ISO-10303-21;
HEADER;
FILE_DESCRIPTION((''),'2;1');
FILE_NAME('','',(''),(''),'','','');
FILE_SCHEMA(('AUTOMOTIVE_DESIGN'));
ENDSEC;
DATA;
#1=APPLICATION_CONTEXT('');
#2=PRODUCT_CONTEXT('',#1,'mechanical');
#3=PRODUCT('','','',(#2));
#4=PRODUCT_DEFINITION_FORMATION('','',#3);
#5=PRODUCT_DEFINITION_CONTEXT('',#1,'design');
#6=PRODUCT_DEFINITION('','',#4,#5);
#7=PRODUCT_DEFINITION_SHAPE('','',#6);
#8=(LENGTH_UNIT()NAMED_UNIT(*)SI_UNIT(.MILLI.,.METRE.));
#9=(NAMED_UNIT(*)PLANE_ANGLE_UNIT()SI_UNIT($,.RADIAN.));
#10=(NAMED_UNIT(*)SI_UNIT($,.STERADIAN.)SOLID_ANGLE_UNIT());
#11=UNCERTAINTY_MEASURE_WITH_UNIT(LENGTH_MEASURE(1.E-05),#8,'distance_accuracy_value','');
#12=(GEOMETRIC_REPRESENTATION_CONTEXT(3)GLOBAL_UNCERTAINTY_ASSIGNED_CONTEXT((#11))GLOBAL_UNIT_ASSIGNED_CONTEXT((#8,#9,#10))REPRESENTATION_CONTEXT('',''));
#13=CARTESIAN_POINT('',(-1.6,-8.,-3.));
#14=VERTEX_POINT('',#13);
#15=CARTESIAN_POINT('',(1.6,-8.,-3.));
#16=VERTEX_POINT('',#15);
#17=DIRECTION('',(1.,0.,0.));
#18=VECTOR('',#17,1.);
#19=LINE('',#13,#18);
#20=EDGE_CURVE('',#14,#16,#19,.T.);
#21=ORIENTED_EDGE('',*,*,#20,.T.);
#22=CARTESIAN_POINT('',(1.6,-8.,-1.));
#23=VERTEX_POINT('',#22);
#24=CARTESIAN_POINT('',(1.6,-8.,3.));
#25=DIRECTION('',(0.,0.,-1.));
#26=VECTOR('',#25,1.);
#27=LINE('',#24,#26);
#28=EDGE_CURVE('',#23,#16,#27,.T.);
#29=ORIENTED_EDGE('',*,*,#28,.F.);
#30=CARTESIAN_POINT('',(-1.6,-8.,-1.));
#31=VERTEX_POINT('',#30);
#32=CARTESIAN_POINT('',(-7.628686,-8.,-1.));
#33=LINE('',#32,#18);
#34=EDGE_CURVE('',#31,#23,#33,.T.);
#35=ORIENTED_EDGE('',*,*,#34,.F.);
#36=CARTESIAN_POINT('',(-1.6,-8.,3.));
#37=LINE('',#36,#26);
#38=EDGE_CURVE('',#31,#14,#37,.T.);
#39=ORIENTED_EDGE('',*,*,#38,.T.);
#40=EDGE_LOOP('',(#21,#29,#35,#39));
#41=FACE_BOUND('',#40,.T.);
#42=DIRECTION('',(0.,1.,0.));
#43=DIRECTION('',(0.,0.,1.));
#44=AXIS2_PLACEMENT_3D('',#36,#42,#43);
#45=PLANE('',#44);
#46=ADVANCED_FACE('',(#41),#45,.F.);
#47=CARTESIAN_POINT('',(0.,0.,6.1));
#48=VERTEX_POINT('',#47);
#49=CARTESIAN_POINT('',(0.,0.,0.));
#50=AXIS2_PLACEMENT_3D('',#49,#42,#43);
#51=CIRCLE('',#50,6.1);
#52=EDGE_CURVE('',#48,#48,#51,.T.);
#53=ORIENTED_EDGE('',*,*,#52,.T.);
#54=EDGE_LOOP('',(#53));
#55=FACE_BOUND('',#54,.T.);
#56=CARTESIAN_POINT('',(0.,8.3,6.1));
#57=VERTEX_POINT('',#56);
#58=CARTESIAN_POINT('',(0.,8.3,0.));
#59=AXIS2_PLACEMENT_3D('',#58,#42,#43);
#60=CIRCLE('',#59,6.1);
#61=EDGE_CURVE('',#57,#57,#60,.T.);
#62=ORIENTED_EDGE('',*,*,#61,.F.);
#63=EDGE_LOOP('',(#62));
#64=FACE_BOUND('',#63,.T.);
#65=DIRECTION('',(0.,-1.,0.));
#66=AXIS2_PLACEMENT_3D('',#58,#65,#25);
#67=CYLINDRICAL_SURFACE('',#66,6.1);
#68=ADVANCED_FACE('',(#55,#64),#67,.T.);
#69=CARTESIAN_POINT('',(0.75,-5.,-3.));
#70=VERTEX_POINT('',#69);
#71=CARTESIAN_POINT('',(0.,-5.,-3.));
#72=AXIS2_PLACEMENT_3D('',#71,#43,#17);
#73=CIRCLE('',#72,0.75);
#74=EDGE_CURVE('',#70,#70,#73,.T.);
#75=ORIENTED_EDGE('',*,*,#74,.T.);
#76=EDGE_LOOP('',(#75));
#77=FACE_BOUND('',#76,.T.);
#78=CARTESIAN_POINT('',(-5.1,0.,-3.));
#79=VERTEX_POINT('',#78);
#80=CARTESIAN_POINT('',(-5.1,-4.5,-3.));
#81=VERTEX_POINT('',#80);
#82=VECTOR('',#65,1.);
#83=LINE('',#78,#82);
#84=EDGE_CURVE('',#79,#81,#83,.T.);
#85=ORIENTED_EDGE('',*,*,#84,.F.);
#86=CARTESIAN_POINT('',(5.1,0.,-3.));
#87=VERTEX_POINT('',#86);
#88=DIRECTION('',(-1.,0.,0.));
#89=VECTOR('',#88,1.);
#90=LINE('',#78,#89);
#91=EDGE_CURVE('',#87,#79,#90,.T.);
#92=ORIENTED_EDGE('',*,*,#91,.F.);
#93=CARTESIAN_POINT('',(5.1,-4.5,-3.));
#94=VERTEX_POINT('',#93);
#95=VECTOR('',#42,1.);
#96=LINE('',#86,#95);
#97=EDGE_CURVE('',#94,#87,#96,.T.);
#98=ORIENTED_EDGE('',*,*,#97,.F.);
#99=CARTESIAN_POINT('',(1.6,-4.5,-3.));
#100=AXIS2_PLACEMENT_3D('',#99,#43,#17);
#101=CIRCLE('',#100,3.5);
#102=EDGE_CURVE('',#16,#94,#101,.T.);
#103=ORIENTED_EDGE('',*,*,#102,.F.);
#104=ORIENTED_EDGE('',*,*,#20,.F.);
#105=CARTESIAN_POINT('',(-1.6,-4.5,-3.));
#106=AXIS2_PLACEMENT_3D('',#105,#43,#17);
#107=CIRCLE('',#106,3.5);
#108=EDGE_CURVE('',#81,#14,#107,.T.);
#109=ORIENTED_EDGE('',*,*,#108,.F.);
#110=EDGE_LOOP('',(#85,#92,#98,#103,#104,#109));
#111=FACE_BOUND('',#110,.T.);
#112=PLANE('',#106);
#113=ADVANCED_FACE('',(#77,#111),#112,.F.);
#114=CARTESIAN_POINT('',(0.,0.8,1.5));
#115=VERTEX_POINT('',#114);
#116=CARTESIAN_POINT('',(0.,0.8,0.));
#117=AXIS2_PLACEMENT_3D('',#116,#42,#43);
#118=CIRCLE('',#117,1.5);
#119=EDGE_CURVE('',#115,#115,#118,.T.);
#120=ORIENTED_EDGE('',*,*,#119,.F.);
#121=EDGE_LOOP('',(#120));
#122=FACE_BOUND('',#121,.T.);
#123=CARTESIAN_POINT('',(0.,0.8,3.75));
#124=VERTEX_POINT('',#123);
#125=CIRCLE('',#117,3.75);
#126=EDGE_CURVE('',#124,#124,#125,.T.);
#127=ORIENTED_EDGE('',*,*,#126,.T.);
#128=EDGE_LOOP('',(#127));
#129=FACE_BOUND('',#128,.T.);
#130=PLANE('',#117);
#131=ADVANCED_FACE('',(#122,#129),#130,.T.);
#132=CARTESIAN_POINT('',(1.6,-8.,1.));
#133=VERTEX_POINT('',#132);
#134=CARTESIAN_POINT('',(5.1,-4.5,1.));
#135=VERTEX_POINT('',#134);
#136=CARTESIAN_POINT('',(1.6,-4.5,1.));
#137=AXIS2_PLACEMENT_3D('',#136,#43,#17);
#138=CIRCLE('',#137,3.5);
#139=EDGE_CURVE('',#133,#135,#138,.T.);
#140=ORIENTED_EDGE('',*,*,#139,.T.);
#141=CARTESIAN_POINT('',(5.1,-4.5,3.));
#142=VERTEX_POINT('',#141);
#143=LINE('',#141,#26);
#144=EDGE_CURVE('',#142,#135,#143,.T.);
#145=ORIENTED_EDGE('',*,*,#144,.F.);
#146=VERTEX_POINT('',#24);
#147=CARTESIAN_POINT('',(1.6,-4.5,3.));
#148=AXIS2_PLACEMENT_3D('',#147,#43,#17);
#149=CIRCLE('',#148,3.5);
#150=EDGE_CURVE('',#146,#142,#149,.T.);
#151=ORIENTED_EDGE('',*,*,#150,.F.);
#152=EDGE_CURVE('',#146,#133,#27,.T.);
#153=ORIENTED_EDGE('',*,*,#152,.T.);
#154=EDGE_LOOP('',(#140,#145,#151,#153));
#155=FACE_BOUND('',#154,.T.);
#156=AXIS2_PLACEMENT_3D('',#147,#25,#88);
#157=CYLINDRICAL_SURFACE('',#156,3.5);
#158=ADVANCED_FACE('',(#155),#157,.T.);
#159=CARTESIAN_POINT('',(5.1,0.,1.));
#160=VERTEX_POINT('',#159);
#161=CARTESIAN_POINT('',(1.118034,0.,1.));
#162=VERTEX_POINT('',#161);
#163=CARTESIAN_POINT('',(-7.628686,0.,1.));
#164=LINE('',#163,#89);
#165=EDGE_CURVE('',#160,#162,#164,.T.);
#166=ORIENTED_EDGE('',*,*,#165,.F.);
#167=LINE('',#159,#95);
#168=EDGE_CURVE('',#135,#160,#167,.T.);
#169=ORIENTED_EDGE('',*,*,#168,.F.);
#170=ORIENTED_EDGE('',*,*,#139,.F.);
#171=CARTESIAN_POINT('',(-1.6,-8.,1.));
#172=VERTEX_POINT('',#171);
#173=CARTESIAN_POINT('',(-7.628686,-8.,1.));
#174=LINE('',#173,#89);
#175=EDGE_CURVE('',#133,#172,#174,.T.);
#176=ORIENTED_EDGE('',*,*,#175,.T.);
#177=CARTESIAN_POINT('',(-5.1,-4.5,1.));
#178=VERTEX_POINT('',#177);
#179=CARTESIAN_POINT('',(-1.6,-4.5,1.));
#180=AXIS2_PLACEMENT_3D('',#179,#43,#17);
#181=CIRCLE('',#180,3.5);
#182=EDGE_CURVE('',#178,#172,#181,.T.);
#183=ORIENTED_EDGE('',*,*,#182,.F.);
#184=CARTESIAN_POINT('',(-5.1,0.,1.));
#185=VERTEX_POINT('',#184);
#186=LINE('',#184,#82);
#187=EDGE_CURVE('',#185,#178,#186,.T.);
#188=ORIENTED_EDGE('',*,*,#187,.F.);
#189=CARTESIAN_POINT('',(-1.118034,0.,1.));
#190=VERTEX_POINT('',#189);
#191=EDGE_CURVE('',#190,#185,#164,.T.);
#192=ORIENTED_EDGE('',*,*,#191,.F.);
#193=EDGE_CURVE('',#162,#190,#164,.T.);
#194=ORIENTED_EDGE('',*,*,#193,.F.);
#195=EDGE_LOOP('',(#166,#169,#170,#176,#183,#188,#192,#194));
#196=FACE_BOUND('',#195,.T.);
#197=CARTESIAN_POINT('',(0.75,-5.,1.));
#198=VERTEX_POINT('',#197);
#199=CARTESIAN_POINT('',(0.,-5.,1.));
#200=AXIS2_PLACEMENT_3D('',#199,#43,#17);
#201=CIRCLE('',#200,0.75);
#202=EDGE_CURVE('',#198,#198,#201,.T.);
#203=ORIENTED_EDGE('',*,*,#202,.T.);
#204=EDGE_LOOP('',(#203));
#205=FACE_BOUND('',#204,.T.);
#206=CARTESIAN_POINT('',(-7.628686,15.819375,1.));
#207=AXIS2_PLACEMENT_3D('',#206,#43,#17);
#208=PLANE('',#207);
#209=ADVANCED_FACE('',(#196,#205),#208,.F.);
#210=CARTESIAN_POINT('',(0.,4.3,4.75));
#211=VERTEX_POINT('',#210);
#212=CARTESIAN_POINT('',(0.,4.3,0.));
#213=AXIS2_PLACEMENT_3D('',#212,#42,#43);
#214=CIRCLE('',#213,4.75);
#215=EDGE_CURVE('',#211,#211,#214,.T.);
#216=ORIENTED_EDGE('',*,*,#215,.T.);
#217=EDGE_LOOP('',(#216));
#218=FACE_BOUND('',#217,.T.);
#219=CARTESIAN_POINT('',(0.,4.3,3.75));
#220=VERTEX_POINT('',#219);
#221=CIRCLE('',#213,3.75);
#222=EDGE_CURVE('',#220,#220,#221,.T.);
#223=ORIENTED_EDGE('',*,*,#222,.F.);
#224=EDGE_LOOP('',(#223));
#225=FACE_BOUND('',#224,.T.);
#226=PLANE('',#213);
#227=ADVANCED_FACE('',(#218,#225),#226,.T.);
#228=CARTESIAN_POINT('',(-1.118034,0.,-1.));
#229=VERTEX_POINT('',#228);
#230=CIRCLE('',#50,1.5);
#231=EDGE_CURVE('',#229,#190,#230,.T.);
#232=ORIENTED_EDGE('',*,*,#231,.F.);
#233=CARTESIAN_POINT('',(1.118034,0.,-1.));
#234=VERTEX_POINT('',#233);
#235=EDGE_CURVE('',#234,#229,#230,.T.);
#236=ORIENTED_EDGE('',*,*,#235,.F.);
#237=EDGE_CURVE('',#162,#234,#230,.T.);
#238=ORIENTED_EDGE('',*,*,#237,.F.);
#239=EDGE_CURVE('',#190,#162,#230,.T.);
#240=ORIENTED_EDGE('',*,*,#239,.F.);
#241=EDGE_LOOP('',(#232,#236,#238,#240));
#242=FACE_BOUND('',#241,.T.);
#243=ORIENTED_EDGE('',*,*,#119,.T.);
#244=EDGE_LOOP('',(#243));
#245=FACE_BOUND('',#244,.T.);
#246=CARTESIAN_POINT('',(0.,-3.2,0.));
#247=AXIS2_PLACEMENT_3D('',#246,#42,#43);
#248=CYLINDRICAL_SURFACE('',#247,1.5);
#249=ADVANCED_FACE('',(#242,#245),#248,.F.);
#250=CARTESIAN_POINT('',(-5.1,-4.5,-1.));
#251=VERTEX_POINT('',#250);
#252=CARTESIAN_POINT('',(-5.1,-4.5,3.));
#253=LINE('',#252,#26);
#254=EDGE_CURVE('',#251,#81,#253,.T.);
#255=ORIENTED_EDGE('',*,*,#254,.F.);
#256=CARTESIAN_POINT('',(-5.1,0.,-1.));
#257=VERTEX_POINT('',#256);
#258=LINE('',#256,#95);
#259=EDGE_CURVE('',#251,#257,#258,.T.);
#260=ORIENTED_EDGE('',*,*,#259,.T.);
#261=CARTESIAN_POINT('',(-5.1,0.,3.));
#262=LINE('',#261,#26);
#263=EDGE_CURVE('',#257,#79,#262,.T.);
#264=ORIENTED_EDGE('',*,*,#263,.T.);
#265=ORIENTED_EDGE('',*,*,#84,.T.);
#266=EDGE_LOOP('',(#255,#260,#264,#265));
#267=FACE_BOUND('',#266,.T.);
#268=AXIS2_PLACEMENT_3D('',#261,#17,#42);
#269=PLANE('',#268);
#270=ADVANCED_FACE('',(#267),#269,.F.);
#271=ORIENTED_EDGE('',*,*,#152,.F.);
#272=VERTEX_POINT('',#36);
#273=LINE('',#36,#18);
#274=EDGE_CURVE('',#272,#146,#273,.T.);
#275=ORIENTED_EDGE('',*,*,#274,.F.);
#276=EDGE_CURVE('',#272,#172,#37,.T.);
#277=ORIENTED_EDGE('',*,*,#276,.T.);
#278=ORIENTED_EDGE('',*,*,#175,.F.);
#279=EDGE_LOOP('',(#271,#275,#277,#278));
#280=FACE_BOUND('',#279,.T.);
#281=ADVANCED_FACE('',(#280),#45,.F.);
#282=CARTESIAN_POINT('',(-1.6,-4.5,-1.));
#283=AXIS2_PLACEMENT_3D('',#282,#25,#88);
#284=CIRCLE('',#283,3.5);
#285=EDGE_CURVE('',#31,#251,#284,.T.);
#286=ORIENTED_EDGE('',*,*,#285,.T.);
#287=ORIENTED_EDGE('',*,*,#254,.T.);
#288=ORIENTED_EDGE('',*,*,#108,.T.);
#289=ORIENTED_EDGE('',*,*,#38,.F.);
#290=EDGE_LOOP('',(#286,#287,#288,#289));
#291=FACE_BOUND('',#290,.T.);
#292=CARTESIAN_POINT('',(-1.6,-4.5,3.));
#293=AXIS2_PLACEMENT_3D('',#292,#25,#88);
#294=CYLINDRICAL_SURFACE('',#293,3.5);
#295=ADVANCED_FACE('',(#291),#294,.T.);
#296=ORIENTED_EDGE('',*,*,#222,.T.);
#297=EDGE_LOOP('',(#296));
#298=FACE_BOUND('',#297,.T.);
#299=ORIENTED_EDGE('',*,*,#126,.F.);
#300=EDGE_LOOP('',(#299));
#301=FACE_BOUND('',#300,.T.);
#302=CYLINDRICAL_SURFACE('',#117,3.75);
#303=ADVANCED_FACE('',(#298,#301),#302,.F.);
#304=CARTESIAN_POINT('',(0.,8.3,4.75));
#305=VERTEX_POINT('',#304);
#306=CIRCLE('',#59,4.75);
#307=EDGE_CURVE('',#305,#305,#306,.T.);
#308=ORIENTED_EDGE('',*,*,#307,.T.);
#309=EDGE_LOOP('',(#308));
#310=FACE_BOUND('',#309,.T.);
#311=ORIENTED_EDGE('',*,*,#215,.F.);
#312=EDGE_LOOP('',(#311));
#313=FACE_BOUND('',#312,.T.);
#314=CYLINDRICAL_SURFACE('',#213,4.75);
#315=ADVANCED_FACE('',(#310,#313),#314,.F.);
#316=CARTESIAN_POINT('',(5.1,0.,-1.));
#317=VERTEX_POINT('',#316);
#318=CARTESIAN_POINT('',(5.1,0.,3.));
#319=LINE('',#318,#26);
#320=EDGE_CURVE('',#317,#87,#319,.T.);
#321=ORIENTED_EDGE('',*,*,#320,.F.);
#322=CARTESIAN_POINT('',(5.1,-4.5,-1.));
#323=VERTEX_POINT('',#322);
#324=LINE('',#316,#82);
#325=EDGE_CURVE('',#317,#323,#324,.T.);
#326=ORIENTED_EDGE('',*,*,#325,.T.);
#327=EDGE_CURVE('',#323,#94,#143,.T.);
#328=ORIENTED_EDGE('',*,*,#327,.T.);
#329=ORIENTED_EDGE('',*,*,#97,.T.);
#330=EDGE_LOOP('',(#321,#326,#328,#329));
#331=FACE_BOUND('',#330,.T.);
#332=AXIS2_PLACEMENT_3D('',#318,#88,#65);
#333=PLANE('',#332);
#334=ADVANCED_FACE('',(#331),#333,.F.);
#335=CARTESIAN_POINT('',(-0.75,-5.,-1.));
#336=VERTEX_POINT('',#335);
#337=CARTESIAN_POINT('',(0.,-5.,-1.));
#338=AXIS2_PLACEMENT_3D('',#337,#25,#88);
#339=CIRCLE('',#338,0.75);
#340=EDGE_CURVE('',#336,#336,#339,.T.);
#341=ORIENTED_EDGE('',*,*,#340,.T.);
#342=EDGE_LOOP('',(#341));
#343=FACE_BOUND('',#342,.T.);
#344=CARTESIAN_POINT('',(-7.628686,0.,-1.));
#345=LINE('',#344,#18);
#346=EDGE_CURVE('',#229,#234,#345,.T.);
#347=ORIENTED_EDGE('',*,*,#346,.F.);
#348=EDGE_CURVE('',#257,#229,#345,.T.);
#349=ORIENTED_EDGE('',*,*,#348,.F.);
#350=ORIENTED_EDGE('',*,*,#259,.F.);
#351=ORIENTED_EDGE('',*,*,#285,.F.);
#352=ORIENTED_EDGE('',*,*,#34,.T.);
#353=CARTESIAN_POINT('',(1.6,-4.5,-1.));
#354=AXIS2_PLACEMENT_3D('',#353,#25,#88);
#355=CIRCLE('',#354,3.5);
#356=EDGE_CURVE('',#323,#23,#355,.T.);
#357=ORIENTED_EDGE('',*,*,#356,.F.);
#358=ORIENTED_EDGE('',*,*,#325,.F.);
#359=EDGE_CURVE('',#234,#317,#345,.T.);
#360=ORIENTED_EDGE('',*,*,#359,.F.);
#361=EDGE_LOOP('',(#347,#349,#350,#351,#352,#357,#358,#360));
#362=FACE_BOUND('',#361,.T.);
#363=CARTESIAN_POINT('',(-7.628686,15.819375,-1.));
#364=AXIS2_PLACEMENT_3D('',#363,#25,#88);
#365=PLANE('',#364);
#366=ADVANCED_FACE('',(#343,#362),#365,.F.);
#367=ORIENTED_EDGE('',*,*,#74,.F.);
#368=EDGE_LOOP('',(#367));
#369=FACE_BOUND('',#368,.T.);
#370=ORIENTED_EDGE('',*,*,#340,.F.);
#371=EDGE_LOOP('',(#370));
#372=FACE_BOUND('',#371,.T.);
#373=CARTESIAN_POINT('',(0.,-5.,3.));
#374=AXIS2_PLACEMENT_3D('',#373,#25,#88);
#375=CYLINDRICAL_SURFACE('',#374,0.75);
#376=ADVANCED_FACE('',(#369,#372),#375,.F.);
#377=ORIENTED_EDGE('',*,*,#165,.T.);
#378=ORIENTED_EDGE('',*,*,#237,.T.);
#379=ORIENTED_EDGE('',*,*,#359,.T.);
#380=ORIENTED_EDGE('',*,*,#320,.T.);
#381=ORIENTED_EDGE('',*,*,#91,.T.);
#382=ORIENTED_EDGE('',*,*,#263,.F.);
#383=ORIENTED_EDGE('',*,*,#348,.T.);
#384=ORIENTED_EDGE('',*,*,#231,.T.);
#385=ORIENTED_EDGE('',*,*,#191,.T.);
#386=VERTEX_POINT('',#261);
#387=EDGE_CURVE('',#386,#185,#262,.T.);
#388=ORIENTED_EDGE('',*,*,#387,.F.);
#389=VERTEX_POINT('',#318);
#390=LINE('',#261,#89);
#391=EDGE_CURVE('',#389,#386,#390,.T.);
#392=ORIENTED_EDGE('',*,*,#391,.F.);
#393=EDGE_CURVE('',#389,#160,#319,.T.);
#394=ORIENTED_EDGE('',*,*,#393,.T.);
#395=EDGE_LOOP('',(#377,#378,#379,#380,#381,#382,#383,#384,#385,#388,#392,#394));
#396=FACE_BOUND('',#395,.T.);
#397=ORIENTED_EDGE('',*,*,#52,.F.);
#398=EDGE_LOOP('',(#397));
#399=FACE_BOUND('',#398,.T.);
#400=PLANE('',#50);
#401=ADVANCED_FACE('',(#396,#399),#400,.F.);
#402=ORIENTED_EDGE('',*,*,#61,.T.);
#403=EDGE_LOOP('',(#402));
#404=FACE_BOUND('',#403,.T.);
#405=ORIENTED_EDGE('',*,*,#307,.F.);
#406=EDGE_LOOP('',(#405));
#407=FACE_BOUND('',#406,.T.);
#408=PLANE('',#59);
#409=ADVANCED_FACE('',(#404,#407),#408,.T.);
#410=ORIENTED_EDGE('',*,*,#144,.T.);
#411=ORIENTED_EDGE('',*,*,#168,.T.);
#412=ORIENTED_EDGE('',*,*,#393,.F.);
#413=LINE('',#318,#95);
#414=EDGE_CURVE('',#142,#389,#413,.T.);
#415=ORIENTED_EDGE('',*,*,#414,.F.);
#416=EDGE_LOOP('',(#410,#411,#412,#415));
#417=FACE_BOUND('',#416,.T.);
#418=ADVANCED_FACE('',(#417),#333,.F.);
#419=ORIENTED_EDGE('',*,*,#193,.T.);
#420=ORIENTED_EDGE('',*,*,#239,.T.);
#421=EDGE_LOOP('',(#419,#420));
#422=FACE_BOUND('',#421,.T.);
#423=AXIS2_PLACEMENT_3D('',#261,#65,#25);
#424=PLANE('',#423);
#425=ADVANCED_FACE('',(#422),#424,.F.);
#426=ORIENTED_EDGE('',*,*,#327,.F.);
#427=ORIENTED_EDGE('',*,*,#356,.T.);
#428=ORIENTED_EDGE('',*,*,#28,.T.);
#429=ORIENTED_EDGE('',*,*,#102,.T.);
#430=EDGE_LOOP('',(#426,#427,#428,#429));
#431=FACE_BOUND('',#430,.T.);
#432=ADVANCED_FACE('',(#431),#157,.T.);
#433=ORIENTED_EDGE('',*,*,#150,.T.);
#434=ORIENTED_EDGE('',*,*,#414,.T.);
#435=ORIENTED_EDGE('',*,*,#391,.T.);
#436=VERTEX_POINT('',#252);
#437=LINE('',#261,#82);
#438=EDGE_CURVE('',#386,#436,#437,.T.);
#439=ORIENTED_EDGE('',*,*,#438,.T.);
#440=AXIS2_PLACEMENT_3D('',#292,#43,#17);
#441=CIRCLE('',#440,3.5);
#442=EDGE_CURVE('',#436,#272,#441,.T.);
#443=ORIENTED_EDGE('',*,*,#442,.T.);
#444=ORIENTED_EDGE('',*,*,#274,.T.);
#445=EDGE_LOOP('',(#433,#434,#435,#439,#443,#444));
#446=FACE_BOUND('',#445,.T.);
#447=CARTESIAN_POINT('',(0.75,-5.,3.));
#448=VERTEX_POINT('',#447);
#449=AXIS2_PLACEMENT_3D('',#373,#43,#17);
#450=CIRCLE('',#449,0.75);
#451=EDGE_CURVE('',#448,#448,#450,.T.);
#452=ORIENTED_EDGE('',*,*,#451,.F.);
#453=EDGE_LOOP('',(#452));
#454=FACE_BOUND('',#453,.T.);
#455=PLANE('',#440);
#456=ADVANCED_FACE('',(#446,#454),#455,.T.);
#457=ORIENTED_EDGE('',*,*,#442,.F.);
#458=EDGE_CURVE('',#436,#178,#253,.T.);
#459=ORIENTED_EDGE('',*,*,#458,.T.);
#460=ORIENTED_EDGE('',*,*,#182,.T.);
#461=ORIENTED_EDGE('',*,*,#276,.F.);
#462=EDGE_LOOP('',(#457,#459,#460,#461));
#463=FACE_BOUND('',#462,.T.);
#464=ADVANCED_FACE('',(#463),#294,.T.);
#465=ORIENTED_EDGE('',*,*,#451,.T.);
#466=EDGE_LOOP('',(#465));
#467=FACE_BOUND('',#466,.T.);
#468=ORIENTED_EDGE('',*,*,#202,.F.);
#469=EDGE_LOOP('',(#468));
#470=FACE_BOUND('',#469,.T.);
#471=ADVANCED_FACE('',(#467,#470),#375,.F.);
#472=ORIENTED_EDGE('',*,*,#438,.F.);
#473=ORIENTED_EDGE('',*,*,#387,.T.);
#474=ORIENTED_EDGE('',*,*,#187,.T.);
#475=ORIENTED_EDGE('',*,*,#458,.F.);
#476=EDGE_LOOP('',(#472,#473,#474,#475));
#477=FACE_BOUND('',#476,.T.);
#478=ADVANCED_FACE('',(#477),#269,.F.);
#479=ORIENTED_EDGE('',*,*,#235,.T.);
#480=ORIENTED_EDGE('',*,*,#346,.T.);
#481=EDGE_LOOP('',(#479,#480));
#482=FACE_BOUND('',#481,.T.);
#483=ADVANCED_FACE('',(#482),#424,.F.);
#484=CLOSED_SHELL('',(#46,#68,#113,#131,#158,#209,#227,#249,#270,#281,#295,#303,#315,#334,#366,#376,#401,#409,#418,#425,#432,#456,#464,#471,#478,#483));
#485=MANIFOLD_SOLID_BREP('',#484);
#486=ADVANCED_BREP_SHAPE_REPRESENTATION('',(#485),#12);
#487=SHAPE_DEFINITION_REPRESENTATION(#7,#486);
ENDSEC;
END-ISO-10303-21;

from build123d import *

# Parameters (mm, degrees)
SKETCH_1_R          = 6.1
EXTRUDE_1_DEPTH     = 8.3
SKETCH_2_R          = 4.75
CUT_EXTRUDE_1_DEPTH = 4
SKETCH_3_R          = 3.75
CUT_EXTRUDE_2_DEPTH = 3.5
SKETCH_4_R          = 1.5
CUT_EXTRUDE_3_DEPTH = 4
EXTRUDE_3_DEPTH     = 3
SKETCH_6_R          = 9.011135206
SKETCH_6_R_2        = 6.1
CUT_EXTRUDE_4_DEPTH = 32
SKETCH_7_R          = 0.5
CUT_EXTRUDE_6_DEPTH = 12
SKETCH_8_W          = 2
SKETCH_8_H          = 6.97178126
CUT_EXTRUDE_7_DEPTH = 10
SKETCH_9_W          = 7.844147965
SKETCH_9_H          = 6.877415643
CUT_EXTRUDE_8_DEPTH = 10
SKETCH_10_R         = 0.75
EXTRUDE_4_DEPTH     = 3
SKETCH_11_W         = 15.692438898
SKETCH_11_H         = 2
CUT_EXTRUDE_9_DEPTH = 8


with BuildPart() as part:
    # 草图1 → 凸台-拉伸1 (new body)
    with BuildSketch(Plane(origin=(0, 0, 0), x_dir=(1, 0, 0), z_dir=(0, 1, 0))):
        Circle(SKETCH_1_R)
    extrude(amount=EXTRUDE_1_DEPTH)

    # 草图2 → 切除-拉伸1 (cut)
    with BuildSketch(Plane(origin=(0, 8.3, 0), x_dir=(1, 0, 0), z_dir=(0, 1, 0))):
        Circle(SKETCH_2_R)
    extrude(amount=-CUT_EXTRUDE_1_DEPTH, mode=Mode.SUBTRACT)

    # 草图3 → 切除-拉伸2 (cut)
    with BuildSketch(Plane(origin=(0, 4.3, 0), x_dir=(1, 0, 0), z_dir=(0, 1, 0))):
        Circle(SKETCH_3_R)
    extrude(amount=-CUT_EXTRUDE_2_DEPTH, mode=Mode.SUBTRACT)

    # 草图4 → 切除-拉伸3 (cut)
    with BuildSketch(Plane(origin=(0, 0.8, 0), x_dir=(1, 0, 0), z_dir=(0, 1, 0))):
        Circle(SKETCH_4_R)
    extrude(amount=-CUT_EXTRUDE_3_DEPTH, mode=Mode.SUBTRACT)

    # 草图5 → 凸台-拉伸3 (add, symmetric)
    with BuildSketch(Plane.XY):
        with BuildLine():
            Line((-6.1, 0), (-2.1, 0))
            Line((-2.1, 0), (-2.1, -4.1))
            ThreePointArc((-2.1, -4.1), (-2.656497116, -5.443502884), (-4, -6))
            Line((-4, -6), (-4.2, -6))
            ThreePointArc((-4.2, -6), (-5.543502884, -5.443502884), (-6.1, -4.1))
            Line((-6.1, -4.1), (-6.1, 0))
        make_face()
    extrude(amount=EXTRUDE_3_DEPTH, both=True)

    # 草图6 → 切除-拉伸4 (cut)
    with BuildSketch(Plane(origin=(0, 8.3, 0), x_dir=(1, 0, 0), z_dir=(0, 1, 0))):
        Circle(SKETCH_6_R)
        Circle(SKETCH_6_R_2, mode=Mode.SUBTRACT)
    extrude(amount=-CUT_EXTRUDE_4_DEPTH, mode=Mode.SUBTRACT)

    # 草图7 → 切除-拉伸6 (cut)
    with BuildSketch(Plane.XY.offset(3)):
        with Locations((-4.1, -3.8)):
            Circle(SKETCH_7_R)
    extrude(amount=-CUT_EXTRUDE_6_DEPTH, mode=Mode.SUBTRACT)

    # 草图8 → 切除-拉伸7 (cut)
    with BuildSketch(Plane(origin=(-2.1, 0, 0), x_dir=(0, 0, -1), z_dir=(1, 0, 0))):
        with Locations((0, -3.48589063)):
            Rectangle(SKETCH_8_W, SKETCH_8_H)
    extrude(amount=-CUT_EXTRUDE_7_DEPTH, mode=Mode.SUBTRACT)

    # 草图9 → 切除-拉伸8 (cut)
    with BuildSketch(Plane(origin=(0, 0, -3), x_dir=(-1, 0, 0), z_dir=(0, 0, -1))):
        with Locations((6.022073983, -3.438707822)):
            Rectangle(SKETCH_9_W, SKETCH_9_H)
    extrude(amount=-CUT_EXTRUDE_8_DEPTH, mode=Mode.SUBTRACT)

    # 草图10 → 凸台-拉伸4 (add, symmetric)
    with BuildSketch(Plane.XY):
        with BuildLine():
            Line((-5.1, 0), (5.1, 0))
            Line((5.1, 0), (5.1, -4.5))
            ThreePointArc((5.1, -4.5), (4.074873734, -6.974873734), (1.6, -8))
            Line((1.6, -8), (-1.6, -8))
            ThreePointArc((-1.6, -8), (-4.074873734, -6.974873734), (-5.1, -4.5))
            Line((-5.1, -4.5), (-5.1, 0))
        make_face()
        with Locations((0, -5)):
            Circle(SKETCH_10_R, mode=Mode.SUBTRACT)
    extrude(amount=EXTRUDE_4_DEPTH, both=True)

    # 草图11 → 切除-拉伸9 (cut)
    with BuildSketch(Plane.XZ.offset(8)):
        with Locations((0.217533809, 0)):
            Rectangle(SKETCH_11_W, SKETCH_11_H)
    extrude(amount=-CUT_EXTRUDE_9_DEPTH, mode=Mode.SUBTRACT)


solid = part.part
